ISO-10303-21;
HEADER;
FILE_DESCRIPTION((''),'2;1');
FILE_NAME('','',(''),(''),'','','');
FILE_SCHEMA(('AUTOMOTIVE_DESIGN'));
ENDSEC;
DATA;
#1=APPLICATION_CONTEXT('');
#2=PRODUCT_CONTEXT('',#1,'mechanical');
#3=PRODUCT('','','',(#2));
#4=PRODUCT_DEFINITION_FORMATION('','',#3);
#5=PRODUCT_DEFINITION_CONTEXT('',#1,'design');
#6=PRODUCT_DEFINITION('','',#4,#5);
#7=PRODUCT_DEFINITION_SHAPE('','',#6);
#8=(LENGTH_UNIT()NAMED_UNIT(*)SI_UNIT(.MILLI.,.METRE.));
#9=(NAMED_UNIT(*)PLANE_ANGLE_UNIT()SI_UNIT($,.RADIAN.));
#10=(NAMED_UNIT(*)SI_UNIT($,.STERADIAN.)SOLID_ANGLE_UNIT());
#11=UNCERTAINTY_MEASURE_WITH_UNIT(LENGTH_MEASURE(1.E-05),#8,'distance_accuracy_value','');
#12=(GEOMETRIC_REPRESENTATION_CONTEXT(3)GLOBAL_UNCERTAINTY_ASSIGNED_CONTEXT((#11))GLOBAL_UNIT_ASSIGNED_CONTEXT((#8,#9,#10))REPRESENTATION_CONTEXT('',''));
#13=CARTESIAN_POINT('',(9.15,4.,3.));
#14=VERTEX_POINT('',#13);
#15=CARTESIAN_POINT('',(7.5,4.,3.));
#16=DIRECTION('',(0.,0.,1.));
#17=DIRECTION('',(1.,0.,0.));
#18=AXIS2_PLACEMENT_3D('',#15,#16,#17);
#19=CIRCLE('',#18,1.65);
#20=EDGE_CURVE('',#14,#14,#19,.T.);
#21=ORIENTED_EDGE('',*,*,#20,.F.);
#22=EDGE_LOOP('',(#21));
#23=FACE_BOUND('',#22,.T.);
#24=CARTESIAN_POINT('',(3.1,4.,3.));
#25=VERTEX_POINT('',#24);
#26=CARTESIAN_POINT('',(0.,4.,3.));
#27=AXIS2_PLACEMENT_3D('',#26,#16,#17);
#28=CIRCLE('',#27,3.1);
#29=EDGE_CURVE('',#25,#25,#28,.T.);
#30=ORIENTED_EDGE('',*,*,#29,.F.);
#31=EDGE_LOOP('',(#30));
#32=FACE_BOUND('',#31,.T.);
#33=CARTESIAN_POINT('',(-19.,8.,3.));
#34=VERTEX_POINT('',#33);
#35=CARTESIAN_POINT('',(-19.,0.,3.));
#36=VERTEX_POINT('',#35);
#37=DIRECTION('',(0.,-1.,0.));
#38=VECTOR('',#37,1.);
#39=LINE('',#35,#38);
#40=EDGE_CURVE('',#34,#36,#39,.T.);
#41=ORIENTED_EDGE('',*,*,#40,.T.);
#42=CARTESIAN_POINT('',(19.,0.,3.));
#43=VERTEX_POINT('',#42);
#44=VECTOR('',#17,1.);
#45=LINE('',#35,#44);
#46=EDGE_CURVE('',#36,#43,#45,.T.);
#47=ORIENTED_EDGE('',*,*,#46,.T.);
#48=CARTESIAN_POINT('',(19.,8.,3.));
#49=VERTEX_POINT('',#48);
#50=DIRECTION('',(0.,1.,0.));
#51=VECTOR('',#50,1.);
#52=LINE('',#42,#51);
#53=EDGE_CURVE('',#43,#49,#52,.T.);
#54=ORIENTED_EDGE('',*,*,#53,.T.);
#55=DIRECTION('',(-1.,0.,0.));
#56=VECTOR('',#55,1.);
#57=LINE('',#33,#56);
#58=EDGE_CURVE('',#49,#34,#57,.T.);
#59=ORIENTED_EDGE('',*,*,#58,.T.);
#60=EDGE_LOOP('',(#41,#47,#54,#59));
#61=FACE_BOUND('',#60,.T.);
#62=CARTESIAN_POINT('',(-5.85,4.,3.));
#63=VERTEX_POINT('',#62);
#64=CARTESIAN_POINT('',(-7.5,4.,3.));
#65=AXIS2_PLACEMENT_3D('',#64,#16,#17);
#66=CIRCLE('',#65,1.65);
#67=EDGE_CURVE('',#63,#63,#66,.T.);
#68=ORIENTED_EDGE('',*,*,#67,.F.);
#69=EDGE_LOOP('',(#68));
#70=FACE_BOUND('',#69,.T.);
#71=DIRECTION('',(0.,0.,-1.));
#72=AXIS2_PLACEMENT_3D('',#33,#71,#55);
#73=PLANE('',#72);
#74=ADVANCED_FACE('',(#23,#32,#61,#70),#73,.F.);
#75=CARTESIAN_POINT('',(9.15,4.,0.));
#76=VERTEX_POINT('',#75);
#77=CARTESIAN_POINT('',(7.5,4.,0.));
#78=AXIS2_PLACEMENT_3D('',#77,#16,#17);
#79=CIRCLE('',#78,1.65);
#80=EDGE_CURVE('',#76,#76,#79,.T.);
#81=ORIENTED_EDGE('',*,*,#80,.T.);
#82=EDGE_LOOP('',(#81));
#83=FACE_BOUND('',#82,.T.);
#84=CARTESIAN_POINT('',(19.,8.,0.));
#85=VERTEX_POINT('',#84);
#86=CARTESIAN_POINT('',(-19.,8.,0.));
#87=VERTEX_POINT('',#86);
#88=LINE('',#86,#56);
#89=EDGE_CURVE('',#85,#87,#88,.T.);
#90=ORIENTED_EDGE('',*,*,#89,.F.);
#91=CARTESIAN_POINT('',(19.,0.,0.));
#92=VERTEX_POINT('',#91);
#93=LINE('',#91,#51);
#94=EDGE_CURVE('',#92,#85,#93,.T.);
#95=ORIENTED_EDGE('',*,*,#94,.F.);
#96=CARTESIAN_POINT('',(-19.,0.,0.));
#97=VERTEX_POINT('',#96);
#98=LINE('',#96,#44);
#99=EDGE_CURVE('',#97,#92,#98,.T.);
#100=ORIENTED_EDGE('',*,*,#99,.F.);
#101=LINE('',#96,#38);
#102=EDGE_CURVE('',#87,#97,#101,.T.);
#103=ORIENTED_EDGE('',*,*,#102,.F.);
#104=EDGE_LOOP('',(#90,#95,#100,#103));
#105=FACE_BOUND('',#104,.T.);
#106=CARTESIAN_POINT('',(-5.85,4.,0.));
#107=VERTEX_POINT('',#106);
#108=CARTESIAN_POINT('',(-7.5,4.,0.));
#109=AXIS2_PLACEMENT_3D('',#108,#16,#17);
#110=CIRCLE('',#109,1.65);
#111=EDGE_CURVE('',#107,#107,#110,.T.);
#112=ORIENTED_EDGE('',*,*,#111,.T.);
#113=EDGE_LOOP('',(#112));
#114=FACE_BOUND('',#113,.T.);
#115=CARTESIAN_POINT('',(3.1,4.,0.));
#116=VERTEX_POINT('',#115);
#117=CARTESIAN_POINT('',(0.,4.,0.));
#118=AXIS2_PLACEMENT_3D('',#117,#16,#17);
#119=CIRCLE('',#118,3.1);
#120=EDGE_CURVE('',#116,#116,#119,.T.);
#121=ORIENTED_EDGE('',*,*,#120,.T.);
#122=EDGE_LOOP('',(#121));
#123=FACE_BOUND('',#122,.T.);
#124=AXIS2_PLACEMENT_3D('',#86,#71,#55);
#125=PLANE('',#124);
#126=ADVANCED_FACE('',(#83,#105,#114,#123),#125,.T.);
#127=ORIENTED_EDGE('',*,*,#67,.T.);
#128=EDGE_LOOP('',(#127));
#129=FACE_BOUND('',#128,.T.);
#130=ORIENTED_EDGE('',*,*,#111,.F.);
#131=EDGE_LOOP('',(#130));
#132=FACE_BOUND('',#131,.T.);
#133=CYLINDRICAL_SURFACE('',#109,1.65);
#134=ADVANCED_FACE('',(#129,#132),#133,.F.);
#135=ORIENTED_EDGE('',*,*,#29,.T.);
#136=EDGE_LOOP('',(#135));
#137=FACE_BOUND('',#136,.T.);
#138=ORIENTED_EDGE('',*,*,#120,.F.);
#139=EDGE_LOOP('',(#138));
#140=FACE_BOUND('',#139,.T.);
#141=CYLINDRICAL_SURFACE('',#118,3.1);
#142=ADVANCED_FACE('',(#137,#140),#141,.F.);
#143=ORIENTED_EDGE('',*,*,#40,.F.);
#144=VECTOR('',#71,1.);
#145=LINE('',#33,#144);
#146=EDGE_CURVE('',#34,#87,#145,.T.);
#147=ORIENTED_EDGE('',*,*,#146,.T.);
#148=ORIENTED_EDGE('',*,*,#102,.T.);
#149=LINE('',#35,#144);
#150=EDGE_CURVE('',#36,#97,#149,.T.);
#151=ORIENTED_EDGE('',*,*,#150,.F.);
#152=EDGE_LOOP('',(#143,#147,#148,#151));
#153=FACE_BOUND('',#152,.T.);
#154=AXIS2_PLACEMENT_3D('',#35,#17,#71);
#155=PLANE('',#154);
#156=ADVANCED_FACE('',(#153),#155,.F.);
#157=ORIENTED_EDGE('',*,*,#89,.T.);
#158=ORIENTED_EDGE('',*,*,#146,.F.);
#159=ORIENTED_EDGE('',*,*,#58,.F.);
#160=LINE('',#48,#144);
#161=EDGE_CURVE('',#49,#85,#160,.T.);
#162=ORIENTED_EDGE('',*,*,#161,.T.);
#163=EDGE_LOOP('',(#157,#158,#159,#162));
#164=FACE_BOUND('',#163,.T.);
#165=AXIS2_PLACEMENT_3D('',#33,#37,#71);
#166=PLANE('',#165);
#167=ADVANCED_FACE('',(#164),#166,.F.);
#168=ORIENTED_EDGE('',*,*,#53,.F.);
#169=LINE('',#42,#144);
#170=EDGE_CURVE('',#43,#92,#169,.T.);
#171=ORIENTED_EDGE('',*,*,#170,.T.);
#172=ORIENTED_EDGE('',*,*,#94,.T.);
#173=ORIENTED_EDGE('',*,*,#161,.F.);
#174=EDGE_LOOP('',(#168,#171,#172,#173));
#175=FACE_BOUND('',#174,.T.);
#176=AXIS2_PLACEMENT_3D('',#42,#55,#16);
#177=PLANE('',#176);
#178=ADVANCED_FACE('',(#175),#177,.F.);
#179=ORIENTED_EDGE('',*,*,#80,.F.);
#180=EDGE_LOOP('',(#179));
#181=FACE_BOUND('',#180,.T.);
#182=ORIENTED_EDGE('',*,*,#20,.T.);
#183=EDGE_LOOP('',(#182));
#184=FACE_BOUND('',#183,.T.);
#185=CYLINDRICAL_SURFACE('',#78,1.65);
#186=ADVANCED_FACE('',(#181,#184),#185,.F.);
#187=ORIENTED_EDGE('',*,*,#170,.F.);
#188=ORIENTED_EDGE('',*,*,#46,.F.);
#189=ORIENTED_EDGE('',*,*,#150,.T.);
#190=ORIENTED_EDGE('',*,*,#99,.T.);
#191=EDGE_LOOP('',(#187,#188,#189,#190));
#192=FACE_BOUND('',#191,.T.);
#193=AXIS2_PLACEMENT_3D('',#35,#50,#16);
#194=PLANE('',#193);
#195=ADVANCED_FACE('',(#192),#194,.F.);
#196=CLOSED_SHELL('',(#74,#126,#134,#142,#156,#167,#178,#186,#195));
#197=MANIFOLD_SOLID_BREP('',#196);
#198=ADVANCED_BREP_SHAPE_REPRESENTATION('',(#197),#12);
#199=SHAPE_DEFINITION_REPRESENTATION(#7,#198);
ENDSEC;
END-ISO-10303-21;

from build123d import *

# Parameters (mm, degrees)
SKETCH1_W           = 38
SKETCH1_H           = 8
BOSS_EXTRUDE1_DEPTH = 3
SKETCH2_R           = 3.1
SKETCH2_R_2         = 1.65
CUT_EXTRUDE1_DEPTH  = 4


with BuildPart() as part:
    # Sketch1 → Boss-Extrude1 (new body)
    with BuildSketch(Plane.XY):
        with Locations((0, 4)):
            Rectangle(SKETCH1_W, SKETCH1_H)
    extrude(amount=BOSS_EXTRUDE1_DEPTH)

    # Sketch2 → Cut-Extrude1 (cut, through all)
    with BuildSketch(Plane.XY.offset(3)):
        with Locations((0, 4)):
            Circle(SKETCH2_R)
        with Locations((-7.5, 4)):
            Circle(SKETCH2_R_2)
        with Locations((7.5, 4)):
            Circle(SKETCH2_R_2)
    extrude(amount=-CUT_EXTRUDE1_DEPTH, mode=Mode.SUBTRACT)


solid = part.part
